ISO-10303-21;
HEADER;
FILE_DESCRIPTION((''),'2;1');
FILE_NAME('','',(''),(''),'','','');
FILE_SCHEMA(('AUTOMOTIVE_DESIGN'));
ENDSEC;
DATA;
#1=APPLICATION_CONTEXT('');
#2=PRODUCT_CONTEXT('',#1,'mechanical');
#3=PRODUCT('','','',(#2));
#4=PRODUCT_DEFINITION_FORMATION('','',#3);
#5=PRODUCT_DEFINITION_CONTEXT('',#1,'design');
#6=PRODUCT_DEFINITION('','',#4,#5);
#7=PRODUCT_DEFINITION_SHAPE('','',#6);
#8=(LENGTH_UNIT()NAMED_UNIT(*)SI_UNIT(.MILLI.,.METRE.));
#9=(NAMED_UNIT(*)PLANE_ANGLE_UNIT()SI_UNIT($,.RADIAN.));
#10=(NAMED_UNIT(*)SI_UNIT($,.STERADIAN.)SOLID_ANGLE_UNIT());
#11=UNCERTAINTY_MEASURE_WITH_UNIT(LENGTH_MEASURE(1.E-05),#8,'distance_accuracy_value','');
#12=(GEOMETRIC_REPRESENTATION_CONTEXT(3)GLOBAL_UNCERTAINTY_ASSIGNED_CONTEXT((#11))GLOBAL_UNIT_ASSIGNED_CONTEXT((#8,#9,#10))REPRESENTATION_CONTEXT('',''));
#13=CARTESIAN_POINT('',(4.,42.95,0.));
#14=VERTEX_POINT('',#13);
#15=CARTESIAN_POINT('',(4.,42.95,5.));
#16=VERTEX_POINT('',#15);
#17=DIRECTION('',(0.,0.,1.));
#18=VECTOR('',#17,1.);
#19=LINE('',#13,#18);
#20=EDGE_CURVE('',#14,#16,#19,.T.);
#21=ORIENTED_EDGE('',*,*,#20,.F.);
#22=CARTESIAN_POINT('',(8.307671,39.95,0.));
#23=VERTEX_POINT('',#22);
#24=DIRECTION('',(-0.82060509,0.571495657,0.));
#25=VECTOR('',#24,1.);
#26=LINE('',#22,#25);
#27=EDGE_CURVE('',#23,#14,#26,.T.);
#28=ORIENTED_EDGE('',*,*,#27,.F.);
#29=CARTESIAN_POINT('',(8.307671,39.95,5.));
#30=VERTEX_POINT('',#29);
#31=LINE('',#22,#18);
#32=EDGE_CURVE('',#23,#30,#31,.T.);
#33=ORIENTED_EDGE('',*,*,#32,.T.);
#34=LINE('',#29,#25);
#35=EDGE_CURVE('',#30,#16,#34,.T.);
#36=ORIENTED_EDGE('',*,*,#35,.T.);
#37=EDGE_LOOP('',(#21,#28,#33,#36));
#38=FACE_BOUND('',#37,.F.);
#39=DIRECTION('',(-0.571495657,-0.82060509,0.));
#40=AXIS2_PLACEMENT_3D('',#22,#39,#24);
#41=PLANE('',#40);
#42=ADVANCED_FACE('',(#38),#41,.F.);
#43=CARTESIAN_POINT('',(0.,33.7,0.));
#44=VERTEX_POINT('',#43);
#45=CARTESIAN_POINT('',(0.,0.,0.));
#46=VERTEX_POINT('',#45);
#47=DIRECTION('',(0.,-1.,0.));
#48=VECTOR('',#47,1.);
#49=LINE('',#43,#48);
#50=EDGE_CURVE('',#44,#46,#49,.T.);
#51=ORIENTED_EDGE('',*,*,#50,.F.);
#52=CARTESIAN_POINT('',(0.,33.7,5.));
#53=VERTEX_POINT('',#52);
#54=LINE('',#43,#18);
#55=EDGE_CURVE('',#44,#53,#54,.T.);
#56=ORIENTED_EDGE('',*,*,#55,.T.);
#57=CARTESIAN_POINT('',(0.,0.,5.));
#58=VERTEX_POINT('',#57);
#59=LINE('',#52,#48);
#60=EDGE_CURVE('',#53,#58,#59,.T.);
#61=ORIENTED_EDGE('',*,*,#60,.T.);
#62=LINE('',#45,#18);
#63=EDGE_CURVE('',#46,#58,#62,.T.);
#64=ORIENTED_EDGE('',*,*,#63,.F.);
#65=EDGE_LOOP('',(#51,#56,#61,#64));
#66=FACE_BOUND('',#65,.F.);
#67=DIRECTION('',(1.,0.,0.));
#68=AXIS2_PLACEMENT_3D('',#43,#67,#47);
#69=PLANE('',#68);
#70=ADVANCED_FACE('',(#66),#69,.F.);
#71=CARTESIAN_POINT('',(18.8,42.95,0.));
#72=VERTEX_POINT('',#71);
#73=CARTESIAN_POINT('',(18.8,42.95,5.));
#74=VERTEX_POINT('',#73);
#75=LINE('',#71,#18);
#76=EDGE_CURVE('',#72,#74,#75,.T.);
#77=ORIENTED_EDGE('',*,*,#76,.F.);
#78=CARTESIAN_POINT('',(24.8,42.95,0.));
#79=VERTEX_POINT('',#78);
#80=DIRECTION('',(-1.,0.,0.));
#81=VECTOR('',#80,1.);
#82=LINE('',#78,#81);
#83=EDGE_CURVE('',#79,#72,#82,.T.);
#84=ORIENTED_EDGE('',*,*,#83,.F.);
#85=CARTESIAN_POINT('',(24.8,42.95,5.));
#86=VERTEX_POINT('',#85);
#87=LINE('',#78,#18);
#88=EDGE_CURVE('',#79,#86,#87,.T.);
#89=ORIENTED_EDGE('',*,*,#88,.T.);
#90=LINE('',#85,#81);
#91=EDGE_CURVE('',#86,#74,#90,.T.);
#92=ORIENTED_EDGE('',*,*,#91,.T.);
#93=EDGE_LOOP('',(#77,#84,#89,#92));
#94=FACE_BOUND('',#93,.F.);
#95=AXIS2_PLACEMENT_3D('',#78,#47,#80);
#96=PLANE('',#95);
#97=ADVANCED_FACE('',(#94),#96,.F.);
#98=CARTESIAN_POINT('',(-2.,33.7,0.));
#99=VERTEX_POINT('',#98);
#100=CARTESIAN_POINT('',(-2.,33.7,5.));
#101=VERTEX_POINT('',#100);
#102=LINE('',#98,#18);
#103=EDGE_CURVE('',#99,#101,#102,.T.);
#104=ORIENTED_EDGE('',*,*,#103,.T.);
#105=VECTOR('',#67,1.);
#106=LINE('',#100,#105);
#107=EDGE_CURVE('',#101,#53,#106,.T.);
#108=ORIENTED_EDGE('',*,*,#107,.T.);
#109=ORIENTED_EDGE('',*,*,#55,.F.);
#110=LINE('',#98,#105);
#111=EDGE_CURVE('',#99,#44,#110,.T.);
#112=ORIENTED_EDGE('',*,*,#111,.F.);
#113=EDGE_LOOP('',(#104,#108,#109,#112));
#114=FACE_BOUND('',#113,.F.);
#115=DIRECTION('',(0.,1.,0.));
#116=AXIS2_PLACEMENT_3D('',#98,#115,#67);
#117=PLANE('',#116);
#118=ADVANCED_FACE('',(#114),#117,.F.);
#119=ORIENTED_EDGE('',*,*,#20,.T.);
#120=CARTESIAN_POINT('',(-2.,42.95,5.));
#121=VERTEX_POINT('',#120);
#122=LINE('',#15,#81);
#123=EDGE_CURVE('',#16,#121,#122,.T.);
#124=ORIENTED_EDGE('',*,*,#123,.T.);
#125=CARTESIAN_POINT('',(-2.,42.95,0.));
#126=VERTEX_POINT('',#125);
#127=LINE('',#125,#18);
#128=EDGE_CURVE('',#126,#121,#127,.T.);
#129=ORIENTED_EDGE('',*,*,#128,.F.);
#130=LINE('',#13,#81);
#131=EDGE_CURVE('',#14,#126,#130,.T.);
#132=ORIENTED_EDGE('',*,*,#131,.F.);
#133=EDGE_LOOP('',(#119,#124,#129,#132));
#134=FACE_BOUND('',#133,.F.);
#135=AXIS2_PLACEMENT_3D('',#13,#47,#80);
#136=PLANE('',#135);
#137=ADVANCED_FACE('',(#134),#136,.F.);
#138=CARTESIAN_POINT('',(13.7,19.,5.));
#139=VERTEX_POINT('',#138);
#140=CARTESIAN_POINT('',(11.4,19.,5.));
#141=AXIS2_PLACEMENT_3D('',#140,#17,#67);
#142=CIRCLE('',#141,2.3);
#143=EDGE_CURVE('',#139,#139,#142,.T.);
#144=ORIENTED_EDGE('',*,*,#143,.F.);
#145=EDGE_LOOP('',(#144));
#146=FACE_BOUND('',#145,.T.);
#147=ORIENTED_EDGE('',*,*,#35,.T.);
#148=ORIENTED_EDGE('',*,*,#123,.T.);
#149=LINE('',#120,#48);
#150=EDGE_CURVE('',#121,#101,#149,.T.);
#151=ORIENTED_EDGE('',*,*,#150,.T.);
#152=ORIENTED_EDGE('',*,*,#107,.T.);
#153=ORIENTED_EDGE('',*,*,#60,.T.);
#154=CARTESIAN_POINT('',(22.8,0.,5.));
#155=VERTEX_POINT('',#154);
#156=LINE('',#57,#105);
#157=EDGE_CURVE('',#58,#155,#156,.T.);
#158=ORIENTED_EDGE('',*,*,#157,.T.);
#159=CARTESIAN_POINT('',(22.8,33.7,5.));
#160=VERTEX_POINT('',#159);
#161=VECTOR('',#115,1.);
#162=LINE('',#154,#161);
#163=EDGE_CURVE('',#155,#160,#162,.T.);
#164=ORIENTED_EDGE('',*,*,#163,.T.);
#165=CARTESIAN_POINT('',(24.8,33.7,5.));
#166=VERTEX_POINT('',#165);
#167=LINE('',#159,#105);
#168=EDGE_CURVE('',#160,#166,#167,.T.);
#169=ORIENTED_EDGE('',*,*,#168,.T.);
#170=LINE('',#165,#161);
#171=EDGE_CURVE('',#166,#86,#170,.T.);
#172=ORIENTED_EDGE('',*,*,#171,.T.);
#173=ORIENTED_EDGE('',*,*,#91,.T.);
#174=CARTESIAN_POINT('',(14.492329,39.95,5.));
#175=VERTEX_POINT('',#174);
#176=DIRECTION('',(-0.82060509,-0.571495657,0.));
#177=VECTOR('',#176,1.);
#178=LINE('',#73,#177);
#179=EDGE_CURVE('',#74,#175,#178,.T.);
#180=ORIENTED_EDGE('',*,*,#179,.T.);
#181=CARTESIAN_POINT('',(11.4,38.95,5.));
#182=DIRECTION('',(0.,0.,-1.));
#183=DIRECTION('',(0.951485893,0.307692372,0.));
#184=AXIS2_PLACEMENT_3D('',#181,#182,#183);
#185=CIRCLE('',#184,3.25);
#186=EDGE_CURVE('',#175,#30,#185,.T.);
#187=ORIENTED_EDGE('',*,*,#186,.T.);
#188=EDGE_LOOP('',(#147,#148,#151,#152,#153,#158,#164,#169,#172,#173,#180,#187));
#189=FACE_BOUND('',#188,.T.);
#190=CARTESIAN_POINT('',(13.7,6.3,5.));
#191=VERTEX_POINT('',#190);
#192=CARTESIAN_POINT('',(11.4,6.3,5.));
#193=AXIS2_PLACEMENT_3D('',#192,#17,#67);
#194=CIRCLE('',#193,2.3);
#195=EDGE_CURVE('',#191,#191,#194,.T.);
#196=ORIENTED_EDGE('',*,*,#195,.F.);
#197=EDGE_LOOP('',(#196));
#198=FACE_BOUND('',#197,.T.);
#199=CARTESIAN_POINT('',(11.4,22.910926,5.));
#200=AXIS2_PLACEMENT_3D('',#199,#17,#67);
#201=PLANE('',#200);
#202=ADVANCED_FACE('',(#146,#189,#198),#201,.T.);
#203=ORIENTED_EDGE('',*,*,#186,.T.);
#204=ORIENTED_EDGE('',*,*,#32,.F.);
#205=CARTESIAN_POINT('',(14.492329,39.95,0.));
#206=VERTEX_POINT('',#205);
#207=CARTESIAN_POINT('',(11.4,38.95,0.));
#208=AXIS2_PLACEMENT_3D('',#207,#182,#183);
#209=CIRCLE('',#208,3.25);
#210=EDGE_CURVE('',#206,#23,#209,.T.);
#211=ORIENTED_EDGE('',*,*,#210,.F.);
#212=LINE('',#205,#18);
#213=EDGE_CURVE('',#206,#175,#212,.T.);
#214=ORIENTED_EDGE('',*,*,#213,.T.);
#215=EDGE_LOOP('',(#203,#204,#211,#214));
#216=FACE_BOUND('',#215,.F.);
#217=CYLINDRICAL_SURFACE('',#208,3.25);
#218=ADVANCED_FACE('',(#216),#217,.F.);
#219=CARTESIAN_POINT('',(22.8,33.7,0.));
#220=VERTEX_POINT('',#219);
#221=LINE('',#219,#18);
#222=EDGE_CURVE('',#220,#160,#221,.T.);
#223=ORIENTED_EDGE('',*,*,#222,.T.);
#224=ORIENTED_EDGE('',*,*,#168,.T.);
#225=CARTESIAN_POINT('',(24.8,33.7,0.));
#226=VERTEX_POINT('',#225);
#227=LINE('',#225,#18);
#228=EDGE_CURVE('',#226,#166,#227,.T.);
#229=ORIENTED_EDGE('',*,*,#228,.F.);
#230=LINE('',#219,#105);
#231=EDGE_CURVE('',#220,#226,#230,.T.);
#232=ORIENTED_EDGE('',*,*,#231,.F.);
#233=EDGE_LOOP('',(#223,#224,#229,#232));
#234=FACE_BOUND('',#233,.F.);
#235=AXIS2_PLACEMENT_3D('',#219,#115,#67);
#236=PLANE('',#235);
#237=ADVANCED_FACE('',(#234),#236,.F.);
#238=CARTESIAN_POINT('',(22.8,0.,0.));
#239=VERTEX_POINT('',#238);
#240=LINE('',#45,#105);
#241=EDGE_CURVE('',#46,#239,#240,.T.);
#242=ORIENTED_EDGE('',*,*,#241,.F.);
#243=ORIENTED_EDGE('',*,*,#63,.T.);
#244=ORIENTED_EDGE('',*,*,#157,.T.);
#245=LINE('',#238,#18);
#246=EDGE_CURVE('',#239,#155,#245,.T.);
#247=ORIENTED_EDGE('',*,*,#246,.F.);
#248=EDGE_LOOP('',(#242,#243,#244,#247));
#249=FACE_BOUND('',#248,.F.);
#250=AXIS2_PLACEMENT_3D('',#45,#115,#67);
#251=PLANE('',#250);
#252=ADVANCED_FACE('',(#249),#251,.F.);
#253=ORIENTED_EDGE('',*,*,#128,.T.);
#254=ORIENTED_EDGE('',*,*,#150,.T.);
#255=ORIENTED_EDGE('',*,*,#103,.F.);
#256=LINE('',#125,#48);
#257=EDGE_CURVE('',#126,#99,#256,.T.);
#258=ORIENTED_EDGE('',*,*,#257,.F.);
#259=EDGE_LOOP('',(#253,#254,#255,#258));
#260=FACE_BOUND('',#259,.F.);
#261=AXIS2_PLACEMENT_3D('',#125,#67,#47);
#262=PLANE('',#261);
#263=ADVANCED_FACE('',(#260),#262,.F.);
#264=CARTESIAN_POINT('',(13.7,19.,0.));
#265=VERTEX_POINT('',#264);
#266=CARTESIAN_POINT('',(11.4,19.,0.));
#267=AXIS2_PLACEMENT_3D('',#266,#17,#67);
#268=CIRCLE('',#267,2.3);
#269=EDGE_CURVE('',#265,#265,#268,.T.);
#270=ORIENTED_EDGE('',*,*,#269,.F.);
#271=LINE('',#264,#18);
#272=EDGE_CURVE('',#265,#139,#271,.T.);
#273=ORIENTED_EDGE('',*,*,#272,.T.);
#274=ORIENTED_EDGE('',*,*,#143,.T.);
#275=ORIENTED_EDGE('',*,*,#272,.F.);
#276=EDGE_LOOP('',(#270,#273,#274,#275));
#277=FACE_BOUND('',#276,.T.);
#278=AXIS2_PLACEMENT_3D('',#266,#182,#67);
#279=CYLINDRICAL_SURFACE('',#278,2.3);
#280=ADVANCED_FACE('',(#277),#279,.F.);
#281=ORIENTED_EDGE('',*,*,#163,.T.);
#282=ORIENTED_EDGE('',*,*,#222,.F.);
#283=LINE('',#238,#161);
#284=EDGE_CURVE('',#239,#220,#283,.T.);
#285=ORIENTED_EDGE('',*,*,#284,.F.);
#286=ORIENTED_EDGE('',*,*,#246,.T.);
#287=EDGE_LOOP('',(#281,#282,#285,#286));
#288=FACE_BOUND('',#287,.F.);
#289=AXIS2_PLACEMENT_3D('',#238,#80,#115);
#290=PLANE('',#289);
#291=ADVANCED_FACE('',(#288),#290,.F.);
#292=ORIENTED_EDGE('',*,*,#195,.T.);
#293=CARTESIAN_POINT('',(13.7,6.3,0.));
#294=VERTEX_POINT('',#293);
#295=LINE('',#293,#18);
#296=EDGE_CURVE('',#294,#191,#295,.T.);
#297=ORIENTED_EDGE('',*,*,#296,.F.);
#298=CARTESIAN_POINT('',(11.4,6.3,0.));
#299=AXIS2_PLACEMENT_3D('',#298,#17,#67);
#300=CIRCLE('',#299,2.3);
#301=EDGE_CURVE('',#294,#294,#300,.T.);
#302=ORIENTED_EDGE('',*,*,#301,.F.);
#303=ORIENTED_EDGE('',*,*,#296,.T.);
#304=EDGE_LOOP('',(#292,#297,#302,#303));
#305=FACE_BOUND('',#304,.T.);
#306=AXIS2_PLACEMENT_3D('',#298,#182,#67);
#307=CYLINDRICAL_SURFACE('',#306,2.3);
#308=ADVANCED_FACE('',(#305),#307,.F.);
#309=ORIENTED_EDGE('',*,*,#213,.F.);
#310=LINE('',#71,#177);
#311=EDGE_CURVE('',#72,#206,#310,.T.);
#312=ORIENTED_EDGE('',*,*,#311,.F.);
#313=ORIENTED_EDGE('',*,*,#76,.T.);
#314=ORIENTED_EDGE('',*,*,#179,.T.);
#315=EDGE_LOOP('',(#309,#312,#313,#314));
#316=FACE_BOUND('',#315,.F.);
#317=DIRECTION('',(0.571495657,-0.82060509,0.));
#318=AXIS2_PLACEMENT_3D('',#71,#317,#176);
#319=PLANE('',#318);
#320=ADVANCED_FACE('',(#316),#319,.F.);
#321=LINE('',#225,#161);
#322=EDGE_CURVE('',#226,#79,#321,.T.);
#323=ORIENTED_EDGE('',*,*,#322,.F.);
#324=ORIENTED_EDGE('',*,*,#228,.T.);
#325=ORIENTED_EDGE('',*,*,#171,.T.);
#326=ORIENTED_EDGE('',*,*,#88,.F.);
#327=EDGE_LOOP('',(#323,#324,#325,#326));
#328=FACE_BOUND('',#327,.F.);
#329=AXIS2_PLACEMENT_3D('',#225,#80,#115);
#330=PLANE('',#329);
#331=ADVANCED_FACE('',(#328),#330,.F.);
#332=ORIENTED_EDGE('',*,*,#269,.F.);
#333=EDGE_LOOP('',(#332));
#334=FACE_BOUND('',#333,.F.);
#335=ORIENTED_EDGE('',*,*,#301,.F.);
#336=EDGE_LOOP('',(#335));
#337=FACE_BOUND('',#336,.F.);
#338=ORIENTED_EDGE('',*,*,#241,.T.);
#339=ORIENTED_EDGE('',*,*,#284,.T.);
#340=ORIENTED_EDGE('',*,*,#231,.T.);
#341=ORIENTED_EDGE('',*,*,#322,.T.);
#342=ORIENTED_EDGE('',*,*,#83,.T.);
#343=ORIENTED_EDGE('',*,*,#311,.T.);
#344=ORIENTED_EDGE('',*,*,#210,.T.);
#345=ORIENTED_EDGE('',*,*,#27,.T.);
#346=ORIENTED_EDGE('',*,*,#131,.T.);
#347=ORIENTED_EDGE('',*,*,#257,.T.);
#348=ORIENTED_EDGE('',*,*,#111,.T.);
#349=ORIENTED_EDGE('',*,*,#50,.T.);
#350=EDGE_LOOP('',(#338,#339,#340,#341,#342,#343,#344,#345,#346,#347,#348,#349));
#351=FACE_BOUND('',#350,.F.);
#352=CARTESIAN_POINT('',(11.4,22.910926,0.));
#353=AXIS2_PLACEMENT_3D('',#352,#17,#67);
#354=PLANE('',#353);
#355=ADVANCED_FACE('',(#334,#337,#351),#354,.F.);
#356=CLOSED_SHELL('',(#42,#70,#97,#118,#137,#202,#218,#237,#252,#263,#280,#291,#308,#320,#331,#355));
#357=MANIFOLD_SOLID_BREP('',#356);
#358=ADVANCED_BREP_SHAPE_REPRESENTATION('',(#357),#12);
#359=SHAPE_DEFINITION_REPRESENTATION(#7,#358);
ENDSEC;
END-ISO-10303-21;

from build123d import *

# Parameters (mm, degrees)
F0_R     = 2.3
F1_DEPTH = 5


with BuildPart() as f1:
    # F0 (on Top) → F1 (new body)
    with BuildSketch(Plane.XY):
        with BuildLine():
            Line((4, 42.95), (0, 42.95))
            Line((0, 42.95), (-2, 42.95))
            Line((-2, 42.95), (-2, 33.7))
            Line((-2, 33.7), (0, 33.7))
            Line((0, 33.7), (0, 0))
            Line((0, 0), (22.8, 0))
            Line((22.8, 0), (22.8, 33.7))
            Line((22.8, 33.7), (24.8, 33.7))
            Line((24.8, 33.7), (24.8, 42.95))
            Line((24.8, 42.95), (22.8, 42.95))
            Line((22.8, 42.95), (18.8, 42.95))
            Line((18.8, 42.95), (14.492329, 39.95))
            ThreePointArc((14.492329, 39.95), (11.4, 35.7), (8.307671, 39.95))
            Line((8.307671, 39.95), (4, 42.95))
        make_face()
        with Locations((11.4, 6.3)):
            Circle(F0_R, mode=Mode.SUBTRACT)
        with Locations((11.4, 19)):
            Circle(F0_R, mode=Mode.SUBTRACT)
    extrude(amount=F1_DEPTH)


solid = f1.part
